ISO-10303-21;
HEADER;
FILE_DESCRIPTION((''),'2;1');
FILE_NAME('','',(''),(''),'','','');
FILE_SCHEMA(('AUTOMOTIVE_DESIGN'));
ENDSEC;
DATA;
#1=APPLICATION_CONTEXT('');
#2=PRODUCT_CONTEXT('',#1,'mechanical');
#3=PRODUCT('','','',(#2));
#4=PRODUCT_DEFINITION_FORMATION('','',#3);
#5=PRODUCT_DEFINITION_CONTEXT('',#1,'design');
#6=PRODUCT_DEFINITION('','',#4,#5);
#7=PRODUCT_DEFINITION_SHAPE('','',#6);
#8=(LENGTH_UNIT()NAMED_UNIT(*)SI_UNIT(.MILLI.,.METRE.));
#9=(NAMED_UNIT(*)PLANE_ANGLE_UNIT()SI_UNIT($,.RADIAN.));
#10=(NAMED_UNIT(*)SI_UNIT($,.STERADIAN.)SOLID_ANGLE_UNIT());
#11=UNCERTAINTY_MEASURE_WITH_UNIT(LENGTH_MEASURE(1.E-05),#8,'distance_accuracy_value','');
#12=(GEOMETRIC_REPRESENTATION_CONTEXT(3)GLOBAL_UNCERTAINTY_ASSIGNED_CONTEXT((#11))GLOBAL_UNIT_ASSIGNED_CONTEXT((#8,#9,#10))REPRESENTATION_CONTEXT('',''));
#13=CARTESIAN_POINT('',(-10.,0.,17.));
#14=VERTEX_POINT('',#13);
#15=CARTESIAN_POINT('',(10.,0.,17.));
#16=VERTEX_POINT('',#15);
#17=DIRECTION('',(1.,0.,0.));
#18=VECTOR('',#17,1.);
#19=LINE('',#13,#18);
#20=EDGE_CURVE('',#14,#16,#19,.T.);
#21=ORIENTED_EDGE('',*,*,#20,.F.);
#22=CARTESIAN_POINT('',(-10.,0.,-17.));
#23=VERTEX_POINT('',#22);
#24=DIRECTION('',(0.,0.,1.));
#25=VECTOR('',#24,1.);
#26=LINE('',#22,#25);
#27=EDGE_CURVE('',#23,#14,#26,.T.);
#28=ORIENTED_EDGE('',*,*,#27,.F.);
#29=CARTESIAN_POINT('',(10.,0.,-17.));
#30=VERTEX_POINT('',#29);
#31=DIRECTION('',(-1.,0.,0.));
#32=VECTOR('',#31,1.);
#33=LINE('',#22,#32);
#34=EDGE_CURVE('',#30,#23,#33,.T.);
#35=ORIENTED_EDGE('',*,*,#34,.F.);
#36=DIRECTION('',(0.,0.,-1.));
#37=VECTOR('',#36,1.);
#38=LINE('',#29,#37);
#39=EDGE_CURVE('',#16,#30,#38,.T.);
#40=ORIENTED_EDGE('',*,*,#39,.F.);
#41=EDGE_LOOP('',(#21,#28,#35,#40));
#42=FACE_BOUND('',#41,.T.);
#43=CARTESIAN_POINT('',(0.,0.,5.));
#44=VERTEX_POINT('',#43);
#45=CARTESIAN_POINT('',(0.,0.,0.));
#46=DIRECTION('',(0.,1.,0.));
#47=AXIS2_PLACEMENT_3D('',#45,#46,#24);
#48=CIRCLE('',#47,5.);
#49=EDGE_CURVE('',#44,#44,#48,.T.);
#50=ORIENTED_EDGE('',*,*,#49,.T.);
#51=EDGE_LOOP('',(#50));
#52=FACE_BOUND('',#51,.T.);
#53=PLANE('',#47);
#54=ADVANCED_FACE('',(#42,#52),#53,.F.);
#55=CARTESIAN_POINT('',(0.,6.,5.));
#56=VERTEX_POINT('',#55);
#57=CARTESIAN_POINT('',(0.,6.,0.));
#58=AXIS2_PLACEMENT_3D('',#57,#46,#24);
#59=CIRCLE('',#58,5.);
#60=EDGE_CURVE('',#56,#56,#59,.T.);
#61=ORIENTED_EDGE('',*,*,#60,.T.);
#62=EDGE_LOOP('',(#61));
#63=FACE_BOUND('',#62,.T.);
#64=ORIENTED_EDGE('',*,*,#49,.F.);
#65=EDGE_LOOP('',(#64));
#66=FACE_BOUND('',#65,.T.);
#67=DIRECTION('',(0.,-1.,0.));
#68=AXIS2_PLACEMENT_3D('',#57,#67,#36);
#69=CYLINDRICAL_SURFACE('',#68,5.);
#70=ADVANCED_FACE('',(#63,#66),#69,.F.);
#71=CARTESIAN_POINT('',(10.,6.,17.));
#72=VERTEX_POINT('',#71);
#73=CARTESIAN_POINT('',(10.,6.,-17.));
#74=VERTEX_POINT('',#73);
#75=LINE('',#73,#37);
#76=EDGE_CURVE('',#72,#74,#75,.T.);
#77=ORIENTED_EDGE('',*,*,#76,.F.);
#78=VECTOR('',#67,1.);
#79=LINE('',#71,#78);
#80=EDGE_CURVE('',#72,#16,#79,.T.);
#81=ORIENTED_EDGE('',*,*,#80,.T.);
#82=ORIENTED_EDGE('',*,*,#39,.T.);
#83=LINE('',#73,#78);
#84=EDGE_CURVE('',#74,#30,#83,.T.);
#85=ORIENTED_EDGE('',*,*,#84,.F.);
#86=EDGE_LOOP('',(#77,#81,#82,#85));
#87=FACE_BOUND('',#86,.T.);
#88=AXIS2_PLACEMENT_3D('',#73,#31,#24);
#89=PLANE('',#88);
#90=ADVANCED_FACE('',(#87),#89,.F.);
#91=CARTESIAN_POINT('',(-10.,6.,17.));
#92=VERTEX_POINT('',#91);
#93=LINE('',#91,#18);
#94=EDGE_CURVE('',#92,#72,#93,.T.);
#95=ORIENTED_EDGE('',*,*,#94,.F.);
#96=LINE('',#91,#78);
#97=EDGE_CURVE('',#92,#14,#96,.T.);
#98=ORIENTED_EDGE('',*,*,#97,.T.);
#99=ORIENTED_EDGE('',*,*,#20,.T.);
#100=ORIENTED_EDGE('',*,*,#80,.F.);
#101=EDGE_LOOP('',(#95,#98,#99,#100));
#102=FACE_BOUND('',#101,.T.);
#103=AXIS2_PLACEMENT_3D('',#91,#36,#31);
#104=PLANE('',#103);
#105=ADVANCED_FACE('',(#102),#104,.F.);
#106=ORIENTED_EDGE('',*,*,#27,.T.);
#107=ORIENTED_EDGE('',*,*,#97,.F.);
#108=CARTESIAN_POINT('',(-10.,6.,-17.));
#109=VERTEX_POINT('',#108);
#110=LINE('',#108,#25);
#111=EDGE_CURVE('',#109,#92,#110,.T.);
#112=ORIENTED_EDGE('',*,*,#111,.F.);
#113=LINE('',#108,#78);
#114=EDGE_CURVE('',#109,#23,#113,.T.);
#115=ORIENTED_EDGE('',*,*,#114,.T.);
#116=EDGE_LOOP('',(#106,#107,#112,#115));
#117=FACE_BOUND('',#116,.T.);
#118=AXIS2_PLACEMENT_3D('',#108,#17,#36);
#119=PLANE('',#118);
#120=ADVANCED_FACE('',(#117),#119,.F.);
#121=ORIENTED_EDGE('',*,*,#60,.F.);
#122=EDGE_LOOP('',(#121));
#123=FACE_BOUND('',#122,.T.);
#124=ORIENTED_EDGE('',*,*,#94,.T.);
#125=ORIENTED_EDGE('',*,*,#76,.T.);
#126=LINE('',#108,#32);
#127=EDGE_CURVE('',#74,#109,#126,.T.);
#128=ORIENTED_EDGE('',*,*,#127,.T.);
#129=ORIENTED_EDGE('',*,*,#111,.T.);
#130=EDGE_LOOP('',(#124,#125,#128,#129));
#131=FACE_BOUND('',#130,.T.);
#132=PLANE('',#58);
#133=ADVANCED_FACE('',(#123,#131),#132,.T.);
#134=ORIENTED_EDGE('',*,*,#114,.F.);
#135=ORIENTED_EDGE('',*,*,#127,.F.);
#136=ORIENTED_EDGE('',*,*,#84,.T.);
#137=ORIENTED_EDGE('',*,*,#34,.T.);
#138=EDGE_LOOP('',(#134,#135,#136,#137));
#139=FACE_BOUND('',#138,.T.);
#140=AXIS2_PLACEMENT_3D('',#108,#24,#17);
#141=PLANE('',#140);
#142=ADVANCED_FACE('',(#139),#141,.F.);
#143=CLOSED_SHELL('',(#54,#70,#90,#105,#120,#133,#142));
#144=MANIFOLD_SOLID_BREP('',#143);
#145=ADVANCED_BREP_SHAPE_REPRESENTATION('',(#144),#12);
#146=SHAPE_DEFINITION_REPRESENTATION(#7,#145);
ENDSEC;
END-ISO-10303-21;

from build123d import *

# Parameters (mm, degrees)
SKETCH1_W           = 20
SKETCH1_H           = 34
SKETCH1_R           = 5
BOSS_EXTRUDE1_DEPTH = 6


with BuildPart() as part:
    # Sketch1 → Boss-Extrude1 (new body)
    with BuildSketch(Plane(origin=(0, 0, 0), x_dir=(1, 0, 0), z_dir=(0, 1, 0))):
        Rectangle(SKETCH1_W, SKETCH1_H)
        with Locations(Location((0, 0, 0), (0, 0, 270))):
            Circle(SKETCH1_R, mode=Mode.SUBTRACT)
    extrude(amount=BOSS_EXTRUDE1_DEPTH)


solid = part.part
